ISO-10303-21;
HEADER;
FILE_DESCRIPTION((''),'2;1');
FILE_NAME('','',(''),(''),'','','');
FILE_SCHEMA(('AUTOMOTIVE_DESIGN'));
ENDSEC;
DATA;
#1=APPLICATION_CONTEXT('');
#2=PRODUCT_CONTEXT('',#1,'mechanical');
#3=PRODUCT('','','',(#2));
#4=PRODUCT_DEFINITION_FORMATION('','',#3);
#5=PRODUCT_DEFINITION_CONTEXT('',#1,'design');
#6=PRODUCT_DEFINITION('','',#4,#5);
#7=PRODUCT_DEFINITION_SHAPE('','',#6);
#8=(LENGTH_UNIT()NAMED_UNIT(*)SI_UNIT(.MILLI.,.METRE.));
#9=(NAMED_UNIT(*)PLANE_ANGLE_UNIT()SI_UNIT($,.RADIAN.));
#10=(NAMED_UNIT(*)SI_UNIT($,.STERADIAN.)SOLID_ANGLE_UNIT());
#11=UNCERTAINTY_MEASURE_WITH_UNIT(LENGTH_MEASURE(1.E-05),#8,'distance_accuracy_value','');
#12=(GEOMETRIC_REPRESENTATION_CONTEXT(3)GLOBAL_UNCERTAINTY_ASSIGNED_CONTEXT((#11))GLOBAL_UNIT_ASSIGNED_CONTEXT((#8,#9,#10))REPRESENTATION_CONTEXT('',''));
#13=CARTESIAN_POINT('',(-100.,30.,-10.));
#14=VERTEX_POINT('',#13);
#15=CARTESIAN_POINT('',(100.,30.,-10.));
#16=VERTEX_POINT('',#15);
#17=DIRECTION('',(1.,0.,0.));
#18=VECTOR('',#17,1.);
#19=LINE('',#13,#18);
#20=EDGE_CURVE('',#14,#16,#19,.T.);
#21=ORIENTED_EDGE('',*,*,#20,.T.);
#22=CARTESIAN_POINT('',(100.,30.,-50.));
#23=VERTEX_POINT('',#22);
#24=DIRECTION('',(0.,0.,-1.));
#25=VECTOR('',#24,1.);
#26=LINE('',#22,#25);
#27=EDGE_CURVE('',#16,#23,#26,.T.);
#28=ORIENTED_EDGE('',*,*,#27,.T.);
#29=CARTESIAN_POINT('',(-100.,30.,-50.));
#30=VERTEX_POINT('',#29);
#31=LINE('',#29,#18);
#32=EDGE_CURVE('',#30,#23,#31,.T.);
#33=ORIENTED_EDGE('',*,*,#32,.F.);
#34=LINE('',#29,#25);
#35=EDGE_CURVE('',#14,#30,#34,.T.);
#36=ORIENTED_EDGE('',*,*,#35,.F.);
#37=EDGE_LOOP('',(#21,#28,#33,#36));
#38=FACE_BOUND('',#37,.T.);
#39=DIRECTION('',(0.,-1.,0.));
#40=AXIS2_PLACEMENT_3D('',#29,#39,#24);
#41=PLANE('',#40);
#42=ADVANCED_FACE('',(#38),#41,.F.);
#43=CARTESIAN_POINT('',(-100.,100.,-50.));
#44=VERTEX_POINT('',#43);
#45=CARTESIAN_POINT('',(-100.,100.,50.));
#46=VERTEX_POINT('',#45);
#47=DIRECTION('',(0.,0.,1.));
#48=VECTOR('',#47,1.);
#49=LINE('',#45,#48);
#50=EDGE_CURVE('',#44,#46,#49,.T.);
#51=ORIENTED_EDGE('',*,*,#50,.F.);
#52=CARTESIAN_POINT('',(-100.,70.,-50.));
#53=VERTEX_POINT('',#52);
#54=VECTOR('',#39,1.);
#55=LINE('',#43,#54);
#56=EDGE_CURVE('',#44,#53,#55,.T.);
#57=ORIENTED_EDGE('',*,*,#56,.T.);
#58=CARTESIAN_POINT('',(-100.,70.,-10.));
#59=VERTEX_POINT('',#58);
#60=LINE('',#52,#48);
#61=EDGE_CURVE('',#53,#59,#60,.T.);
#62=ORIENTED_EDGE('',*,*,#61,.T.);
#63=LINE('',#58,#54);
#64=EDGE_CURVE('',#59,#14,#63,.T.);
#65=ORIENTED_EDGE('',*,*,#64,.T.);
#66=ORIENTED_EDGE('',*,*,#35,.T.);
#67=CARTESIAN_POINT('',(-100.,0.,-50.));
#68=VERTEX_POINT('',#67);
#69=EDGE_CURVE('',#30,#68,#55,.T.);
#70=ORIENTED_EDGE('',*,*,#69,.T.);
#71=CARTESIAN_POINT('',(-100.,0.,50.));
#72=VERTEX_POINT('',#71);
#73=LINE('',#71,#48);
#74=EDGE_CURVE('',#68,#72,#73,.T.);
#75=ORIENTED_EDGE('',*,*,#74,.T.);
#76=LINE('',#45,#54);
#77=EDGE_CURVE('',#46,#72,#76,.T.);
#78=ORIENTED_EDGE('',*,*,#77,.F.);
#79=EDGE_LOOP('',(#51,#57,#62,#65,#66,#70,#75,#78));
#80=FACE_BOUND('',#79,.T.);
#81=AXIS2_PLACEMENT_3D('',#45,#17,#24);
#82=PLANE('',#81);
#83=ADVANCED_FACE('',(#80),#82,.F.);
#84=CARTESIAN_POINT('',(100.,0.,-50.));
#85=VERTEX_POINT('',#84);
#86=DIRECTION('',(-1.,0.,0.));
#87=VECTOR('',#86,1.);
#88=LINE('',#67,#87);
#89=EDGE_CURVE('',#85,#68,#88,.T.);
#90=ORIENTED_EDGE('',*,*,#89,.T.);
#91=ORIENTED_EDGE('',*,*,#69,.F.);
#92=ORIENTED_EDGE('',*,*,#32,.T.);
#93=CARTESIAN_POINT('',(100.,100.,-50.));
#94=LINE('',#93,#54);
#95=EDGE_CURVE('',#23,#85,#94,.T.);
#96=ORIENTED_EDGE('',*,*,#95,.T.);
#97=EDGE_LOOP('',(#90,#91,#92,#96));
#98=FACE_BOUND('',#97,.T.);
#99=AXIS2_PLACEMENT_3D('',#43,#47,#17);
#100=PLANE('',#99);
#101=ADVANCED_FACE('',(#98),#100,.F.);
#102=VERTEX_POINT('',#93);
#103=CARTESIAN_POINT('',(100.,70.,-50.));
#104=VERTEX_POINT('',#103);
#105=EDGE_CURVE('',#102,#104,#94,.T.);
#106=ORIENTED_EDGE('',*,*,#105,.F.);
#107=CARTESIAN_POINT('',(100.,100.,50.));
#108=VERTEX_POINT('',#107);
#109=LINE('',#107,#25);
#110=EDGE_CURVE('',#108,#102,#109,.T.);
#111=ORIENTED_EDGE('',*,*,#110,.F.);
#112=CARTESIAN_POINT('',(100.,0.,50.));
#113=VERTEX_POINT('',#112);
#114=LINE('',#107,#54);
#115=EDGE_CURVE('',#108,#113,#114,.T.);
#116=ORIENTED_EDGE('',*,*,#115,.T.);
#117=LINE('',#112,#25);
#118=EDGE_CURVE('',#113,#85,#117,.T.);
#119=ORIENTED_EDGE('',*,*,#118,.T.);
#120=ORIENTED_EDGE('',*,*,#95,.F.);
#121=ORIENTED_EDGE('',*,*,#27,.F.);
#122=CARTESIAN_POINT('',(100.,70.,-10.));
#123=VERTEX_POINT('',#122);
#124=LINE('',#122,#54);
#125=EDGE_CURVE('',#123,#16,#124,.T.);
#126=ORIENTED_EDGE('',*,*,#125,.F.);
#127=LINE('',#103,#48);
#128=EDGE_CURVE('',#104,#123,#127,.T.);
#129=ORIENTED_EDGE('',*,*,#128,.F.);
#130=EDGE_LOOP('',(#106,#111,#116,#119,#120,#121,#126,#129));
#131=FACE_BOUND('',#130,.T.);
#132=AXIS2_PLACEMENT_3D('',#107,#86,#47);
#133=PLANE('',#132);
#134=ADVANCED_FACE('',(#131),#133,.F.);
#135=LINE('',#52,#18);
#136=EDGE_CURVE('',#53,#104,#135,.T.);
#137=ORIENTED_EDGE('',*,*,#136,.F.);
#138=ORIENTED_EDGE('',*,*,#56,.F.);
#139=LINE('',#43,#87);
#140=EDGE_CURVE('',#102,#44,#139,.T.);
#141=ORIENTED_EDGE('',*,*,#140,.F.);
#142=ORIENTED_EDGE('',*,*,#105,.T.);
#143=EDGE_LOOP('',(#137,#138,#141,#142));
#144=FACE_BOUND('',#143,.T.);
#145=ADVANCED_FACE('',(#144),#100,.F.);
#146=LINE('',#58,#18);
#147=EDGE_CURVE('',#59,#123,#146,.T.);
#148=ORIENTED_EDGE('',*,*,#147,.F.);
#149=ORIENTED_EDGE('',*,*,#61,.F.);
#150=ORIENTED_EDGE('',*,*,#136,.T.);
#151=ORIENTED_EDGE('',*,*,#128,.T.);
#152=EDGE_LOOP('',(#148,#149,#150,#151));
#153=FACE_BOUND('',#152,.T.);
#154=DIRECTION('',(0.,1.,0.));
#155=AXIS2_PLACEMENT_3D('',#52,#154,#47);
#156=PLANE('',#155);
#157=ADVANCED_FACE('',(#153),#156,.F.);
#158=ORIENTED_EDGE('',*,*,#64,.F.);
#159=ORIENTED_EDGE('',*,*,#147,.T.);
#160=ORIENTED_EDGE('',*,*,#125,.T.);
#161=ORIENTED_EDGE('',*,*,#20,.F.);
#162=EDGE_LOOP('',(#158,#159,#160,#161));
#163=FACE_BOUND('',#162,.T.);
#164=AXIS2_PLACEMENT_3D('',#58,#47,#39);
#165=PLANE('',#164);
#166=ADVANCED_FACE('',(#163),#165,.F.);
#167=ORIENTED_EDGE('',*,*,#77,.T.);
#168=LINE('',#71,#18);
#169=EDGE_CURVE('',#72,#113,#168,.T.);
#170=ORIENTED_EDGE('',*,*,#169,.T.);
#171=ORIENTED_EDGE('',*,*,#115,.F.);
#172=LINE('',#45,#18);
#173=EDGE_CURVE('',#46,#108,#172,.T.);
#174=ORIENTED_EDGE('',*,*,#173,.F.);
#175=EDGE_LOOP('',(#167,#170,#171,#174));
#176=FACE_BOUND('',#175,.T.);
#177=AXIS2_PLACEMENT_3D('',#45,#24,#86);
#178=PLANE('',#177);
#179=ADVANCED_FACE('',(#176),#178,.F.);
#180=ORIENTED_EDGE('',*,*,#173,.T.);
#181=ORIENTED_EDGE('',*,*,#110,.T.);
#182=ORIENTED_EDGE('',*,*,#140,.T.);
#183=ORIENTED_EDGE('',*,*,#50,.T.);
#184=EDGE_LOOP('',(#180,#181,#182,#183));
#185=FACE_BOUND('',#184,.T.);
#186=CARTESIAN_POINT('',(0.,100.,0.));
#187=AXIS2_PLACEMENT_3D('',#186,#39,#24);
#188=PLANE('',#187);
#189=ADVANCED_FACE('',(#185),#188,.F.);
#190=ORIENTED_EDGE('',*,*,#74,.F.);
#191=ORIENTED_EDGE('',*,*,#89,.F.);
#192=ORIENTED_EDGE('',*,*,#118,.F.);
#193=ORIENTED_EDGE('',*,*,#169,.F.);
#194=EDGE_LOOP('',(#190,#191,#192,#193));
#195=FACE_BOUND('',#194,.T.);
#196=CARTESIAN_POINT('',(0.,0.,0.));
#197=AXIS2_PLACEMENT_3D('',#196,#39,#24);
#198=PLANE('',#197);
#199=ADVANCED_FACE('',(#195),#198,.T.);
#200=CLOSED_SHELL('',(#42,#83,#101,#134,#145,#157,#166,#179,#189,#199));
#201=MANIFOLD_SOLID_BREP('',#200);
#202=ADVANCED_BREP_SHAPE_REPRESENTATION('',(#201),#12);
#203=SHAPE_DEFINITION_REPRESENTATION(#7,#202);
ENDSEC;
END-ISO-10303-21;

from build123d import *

# Parameters (mm, degrees)
SKETCH1_W           = 200
SKETCH1_H           = 100
BOSS_EXTRUDE1_DEPTH = 100
SKETCH3_W           = 40
SKETCH3_H           = 40
CUT_EXTRUDE1_DEPTH  = 200


with BuildPart() as part:
    # Sketch1 → Boss-Extrude1 (new body)
    with BuildSketch(Plane(origin=(0, 0, 0), x_dir=(1, 0, 0), z_dir=(0, 1, 0))):
        Rectangle(SKETCH1_W, SKETCH1_H)
    extrude(amount=BOSS_EXTRUDE1_DEPTH)

    # Sketch3 → Cut-Extrude1 (cut)
    with BuildSketch(Plane(origin=(100, 0, 0), x_dir=(0, 0, -1), z_dir=(1, 0, 0))):
        with Locations((30, 50)):
            Rectangle(SKETCH3_W, SKETCH3_H)
    extrude(amount=-CUT_EXTRUDE1_DEPTH, mode=Mode.SUBTRACT)


solid = part.part
